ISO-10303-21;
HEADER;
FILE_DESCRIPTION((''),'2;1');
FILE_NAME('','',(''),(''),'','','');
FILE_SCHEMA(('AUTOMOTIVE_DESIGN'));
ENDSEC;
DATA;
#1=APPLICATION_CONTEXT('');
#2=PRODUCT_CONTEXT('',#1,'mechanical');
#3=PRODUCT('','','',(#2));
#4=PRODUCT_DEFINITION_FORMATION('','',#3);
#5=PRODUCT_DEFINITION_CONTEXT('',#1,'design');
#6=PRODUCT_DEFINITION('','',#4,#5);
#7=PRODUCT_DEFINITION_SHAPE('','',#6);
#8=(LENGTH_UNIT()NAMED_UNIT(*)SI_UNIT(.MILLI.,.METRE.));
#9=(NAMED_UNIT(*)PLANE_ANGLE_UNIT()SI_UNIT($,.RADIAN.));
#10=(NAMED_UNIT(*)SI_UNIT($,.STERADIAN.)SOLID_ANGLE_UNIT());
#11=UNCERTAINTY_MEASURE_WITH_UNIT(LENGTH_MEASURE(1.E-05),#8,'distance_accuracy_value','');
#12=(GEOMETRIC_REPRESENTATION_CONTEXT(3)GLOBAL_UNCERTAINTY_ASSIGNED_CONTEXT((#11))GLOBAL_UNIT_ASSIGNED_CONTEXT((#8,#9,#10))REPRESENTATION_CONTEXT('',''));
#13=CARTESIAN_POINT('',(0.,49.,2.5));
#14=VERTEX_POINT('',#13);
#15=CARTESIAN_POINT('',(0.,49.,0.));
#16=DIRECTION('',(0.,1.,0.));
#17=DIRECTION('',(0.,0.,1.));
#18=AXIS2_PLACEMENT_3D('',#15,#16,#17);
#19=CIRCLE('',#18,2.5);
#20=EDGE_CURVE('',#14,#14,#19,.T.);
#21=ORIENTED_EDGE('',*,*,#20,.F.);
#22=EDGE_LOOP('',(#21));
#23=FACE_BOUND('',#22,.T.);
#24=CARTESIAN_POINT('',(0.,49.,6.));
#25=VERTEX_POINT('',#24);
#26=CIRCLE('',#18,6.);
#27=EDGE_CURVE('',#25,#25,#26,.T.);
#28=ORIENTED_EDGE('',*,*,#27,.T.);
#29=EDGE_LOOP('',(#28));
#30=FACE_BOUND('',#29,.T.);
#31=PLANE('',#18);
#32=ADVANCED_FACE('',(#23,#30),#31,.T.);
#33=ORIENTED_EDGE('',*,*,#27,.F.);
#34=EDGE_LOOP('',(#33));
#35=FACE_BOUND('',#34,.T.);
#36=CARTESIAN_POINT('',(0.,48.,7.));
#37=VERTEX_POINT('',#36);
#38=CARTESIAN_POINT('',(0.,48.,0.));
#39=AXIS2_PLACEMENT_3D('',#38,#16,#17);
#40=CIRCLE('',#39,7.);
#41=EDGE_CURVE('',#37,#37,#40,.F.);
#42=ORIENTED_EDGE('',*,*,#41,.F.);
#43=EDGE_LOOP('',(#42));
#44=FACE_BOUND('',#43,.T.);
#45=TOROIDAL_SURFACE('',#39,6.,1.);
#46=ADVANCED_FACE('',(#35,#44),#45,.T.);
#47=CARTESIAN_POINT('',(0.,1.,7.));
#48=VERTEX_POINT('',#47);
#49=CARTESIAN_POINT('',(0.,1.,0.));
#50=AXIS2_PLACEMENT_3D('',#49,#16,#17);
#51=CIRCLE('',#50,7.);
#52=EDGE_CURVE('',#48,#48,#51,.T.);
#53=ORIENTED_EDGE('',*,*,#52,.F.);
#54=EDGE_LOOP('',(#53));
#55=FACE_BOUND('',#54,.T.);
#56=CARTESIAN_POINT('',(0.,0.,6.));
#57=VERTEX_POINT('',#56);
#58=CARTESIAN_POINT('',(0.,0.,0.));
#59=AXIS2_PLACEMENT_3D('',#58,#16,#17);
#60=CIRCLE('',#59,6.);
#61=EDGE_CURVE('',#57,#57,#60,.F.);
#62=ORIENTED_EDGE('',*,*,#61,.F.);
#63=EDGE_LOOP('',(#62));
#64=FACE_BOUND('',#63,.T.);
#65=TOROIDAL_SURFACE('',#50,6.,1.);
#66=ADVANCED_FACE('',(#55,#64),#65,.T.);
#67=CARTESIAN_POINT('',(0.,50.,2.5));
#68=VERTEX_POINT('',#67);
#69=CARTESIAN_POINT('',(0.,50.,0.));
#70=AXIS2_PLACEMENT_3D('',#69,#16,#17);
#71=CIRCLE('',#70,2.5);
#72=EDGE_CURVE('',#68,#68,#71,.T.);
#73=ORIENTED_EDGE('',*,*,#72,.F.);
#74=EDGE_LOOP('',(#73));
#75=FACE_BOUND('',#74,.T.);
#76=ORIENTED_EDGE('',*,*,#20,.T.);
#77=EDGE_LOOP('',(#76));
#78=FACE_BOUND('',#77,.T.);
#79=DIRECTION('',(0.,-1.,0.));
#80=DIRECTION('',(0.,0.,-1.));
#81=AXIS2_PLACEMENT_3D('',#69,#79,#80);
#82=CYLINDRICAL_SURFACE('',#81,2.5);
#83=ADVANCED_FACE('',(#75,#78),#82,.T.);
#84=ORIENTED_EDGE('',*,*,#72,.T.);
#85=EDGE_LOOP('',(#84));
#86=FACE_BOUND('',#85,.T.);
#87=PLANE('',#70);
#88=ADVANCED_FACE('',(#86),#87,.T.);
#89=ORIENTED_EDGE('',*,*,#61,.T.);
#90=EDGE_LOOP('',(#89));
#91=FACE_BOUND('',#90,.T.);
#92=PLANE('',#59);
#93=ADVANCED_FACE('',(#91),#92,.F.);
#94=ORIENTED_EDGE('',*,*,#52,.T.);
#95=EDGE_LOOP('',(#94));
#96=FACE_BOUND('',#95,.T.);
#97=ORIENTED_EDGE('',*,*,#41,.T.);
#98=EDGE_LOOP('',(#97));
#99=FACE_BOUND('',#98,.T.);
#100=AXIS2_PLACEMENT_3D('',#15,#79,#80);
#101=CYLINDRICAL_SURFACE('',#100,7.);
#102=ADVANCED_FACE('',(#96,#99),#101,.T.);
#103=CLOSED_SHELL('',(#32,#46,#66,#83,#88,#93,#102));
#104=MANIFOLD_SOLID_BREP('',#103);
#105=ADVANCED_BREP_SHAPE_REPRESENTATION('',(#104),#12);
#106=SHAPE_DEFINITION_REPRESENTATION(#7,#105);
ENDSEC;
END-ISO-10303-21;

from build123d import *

# Parameters (mm, degrees)
SKETCH_1_R      = 7
EXTRUDE_1_DEPTH = 49
SKETCH_2_R      = 2.5
EXTRUDE_2_DEPTH = 1
FILLET_1_R      = 1


with BuildPart() as part:
    # 草图1 → 凸台-拉伸1 (new body)
    with BuildSketch(Plane(origin=(0, 0, 0), x_dir=(1, 0, 0), z_dir=(0, 1, 0))):
        with Locations(Location((0, 0, 0), (0, 0, 270))):
            Circle(SKETCH_1_R)
    extrude(amount=EXTRUDE_1_DEPTH)

    # 草图2 → 凸台-拉伸2 (add)
    with BuildSketch(Plane(origin=(0, 49, 0), x_dir=(1, 0, 0), z_dir=(0, 1, 0))):
        with Locations(Location((0, 0, 0), (0, 0, 270))):
            Circle(SKETCH_2_R)
    extrude(amount=EXTRUDE_2_DEPTH)

    # 圆角1
    fillet_1_edges = [part.edges().sort_by_distance(p)[0] for p in [
        (0, 0, -7),
        (0, 49, -7),
    ]]
    fillet(fillet_1_edges, radius=FILLET_1_R)


solid = part.part
